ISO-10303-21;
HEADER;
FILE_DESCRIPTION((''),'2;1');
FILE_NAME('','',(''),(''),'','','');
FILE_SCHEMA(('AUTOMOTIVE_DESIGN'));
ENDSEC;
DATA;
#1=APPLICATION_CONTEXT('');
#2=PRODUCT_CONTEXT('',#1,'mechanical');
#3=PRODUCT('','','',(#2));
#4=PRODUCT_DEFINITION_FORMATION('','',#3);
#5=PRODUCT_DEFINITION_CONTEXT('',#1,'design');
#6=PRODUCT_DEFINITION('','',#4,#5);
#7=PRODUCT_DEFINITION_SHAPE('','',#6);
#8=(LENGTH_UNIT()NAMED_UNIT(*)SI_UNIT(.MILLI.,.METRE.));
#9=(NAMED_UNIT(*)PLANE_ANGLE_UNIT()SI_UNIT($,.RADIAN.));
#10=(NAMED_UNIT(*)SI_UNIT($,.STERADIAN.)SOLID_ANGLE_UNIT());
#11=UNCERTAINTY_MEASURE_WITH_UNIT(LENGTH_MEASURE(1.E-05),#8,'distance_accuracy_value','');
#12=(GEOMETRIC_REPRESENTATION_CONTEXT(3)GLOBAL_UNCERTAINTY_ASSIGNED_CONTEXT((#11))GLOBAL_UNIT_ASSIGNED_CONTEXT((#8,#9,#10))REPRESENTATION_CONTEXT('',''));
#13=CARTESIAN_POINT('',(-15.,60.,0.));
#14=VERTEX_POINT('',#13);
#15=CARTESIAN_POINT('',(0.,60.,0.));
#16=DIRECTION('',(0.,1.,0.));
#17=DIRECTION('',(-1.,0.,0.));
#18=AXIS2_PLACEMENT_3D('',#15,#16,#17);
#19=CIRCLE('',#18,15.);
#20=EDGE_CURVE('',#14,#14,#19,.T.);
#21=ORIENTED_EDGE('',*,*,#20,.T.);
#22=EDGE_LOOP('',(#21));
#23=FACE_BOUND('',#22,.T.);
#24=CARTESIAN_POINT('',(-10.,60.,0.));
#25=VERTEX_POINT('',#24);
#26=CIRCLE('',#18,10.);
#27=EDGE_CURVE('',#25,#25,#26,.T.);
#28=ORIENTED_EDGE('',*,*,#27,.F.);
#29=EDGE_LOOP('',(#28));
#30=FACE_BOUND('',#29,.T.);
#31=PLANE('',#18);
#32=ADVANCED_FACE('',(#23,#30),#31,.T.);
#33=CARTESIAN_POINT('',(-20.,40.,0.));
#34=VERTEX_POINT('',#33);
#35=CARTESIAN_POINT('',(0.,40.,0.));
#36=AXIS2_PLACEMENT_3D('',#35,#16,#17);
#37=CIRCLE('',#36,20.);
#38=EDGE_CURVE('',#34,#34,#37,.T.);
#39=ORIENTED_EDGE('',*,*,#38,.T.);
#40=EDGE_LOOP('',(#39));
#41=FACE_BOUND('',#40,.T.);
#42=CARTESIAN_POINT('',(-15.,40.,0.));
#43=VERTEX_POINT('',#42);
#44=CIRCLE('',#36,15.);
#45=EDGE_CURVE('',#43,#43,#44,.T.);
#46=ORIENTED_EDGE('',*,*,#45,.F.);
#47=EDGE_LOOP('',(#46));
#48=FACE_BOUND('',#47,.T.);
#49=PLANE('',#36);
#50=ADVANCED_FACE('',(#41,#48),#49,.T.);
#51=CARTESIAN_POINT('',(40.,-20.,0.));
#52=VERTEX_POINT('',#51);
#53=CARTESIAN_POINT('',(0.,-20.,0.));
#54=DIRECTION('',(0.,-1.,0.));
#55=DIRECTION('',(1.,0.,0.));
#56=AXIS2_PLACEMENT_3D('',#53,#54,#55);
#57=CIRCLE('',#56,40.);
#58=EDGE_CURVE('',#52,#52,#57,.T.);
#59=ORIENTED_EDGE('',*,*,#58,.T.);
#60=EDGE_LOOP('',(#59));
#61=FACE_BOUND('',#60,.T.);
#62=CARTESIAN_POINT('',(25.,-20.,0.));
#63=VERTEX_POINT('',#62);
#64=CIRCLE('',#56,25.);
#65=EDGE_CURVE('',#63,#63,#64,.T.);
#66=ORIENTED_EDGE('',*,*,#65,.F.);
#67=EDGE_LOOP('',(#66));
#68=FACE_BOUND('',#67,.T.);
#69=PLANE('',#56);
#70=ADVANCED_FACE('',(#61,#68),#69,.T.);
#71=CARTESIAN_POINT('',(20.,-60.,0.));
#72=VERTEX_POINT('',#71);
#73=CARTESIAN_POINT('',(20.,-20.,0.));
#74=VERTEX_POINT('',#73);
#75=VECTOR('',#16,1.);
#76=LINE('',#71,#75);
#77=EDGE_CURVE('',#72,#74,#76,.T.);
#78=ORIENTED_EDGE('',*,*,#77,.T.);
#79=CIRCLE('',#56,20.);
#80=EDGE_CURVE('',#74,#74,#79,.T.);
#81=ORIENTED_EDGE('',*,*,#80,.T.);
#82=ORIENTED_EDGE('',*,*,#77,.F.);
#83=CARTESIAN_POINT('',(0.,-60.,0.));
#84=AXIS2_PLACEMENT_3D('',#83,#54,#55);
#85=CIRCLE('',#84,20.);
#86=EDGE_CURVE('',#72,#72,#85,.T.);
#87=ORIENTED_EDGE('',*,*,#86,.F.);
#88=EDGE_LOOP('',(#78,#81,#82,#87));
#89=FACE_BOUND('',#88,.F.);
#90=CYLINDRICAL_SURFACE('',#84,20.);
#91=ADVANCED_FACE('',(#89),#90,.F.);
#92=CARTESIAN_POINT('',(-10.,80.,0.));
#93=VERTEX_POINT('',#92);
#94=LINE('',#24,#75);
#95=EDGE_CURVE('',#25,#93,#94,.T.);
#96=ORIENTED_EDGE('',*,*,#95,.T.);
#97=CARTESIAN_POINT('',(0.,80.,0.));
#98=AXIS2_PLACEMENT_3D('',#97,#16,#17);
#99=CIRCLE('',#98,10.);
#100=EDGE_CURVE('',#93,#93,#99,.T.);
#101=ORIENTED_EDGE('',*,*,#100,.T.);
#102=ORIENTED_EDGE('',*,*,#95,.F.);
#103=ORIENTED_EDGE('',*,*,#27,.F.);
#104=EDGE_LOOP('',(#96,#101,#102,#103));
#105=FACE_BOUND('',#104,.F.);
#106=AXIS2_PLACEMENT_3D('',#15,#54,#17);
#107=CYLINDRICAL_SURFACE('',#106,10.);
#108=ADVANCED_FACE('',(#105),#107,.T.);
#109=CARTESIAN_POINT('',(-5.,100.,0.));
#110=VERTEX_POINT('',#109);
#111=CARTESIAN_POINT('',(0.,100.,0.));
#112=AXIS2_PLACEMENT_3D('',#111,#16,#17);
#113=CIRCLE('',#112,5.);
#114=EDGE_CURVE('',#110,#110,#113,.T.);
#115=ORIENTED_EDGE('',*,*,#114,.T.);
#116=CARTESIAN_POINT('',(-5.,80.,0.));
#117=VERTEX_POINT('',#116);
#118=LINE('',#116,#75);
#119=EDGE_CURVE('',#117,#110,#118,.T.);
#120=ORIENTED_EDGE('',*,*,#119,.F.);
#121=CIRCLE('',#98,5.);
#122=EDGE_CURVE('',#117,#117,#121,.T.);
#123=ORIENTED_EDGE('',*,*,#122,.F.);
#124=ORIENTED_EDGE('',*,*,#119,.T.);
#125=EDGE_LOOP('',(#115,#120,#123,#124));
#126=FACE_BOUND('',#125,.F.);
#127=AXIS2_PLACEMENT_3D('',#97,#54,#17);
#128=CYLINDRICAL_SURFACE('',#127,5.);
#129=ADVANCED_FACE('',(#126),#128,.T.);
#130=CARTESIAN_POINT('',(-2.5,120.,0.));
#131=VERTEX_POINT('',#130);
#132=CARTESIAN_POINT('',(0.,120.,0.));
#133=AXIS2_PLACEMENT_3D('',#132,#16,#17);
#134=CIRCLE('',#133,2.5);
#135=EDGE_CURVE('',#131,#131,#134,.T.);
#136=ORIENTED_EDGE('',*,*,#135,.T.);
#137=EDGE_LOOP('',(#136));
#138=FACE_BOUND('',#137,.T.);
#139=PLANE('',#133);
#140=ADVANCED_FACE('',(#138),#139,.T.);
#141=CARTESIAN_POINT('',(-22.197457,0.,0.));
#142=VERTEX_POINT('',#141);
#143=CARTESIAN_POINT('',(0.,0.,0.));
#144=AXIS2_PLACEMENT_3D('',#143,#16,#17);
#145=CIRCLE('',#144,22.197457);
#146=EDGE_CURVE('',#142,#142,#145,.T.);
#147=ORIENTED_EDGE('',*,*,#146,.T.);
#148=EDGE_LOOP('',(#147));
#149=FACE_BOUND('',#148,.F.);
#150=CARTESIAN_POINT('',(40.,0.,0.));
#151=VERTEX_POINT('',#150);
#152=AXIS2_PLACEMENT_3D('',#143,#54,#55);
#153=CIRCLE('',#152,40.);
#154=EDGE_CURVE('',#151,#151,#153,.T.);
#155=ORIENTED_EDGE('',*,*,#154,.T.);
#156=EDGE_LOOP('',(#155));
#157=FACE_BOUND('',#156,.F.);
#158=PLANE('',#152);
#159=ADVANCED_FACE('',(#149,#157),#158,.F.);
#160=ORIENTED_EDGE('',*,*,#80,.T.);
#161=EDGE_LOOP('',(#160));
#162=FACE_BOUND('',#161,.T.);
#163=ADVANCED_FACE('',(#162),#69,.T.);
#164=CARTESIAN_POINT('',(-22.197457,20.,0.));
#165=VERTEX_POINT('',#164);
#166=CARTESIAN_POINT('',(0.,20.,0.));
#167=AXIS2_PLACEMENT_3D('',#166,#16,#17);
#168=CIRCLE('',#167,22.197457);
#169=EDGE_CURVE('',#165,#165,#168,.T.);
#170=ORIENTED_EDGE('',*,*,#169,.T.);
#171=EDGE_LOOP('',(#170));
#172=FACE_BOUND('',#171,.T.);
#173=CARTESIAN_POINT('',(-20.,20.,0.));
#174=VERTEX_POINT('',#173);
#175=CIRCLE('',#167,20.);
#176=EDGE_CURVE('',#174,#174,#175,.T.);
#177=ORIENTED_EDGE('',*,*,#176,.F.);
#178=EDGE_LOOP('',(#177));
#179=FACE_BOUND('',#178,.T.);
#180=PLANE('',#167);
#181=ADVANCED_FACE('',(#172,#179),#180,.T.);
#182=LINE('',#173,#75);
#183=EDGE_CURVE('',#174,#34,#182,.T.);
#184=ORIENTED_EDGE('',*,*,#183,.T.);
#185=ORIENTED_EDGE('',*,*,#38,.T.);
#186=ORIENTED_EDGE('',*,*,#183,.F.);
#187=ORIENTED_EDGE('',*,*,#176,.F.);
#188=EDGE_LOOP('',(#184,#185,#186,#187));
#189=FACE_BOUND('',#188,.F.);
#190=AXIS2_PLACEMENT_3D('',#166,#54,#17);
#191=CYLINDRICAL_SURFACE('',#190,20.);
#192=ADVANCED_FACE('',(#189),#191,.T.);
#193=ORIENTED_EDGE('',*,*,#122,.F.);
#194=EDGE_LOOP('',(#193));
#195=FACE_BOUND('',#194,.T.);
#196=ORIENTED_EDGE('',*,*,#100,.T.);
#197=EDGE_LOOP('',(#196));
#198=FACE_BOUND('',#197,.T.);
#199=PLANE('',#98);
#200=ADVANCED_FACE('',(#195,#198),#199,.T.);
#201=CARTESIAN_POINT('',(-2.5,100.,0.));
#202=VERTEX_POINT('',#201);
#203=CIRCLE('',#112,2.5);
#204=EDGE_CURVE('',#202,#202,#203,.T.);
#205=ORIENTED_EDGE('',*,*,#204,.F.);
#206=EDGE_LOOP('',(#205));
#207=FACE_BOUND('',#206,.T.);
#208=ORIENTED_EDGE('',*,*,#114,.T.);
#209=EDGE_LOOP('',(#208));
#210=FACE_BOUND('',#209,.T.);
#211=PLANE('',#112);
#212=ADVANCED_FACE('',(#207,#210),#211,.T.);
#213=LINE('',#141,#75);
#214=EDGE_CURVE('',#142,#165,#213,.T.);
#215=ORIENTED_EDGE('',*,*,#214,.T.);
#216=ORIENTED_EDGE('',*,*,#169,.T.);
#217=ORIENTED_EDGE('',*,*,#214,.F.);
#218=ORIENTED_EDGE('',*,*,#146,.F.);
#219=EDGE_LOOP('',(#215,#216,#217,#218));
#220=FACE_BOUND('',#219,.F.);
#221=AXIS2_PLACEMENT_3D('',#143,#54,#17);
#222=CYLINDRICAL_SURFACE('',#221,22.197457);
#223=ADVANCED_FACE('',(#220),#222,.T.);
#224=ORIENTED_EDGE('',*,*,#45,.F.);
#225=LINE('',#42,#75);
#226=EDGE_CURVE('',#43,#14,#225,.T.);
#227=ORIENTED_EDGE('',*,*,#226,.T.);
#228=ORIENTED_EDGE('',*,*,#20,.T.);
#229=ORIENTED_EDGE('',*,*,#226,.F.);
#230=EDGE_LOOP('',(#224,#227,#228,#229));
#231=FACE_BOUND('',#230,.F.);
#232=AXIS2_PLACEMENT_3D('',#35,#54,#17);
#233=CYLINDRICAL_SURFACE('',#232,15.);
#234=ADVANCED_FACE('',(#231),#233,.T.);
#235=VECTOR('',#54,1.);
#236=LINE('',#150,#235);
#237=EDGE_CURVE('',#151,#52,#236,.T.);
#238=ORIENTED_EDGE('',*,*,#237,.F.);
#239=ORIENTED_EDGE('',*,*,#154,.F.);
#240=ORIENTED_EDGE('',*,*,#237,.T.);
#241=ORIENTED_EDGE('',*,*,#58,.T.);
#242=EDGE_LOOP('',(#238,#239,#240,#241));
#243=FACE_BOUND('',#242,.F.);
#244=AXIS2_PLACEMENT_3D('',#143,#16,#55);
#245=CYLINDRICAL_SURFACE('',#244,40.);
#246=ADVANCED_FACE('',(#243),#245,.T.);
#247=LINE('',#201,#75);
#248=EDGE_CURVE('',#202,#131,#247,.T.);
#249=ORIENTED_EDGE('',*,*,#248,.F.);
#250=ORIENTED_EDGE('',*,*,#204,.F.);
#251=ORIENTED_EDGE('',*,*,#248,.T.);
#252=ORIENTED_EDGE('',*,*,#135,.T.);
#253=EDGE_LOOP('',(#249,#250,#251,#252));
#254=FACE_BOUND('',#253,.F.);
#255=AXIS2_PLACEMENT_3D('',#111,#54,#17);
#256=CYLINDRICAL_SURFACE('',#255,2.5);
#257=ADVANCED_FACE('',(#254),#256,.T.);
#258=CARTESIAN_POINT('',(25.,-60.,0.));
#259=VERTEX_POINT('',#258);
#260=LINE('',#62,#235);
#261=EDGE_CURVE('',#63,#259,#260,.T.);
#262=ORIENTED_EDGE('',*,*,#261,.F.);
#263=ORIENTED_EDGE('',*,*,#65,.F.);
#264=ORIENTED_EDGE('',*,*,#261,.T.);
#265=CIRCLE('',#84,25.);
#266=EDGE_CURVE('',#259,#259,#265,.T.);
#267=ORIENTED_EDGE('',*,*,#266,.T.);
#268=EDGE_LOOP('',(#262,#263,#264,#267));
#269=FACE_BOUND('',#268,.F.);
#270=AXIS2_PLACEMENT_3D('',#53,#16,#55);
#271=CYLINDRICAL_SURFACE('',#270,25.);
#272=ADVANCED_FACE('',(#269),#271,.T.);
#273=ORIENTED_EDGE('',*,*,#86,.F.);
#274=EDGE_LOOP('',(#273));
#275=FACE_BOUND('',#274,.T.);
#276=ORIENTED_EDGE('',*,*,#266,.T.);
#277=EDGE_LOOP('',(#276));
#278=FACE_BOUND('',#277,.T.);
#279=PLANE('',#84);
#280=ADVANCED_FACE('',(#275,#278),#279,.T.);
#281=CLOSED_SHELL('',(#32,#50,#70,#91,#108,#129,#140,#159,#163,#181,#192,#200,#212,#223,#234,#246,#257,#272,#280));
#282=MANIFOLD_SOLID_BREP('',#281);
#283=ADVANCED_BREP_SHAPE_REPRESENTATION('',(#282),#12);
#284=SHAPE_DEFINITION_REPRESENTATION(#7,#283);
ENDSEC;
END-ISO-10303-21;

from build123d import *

# Parameters (mm, degrees)
F0_R      = 40
F1_DEPTH  = 20
F2_R      = 25
F3_DEPTH  = 40
F4_R      = 20
F5_DEPTH  = 40
F6_R      = 22.1974572785
F7_DEPTH  = 20
F8_R      = 20
F9_DEPTH  = 20
F10_R     = 15
F11_DEPTH = 20
F12_R     = 10
F13_DEPTH = 20
F14_R     = 5
F15_DEPTH = 20
F16_R     = 2.5
F17_DEPTH = 20


with BuildPart() as f1:
    # F0 (on Front) → F1 (new body)
    with BuildSketch(Plane.XZ):
        Circle(F0_R)
    extrude(amount=F1_DEPTH)

    # F2 (on face) → F3 (join)
    with BuildSketch(Plane.XZ.offset(20)):
        Circle(F2_R)
    extrude(amount=F3_DEPTH)

    # F4 (on face) → F5 (cut)
    with BuildSketch(Plane.XZ.offset(60)):
        Circle(F4_R)
    extrude(amount=-F5_DEPTH, mode=Mode.SUBTRACT)

    # F6 (on face) → F7 (join)
    with BuildSketch(Plane(origin=(0, 0, 0), x_dir=(-1, 0, 0), z_dir=(0, 1, 0))):
        Circle(F6_R)
    extrude(amount=F7_DEPTH)

    # F8 (on face) → F9 (join)
    with BuildSketch(Plane(origin=(0, 20, 0), x_dir=(-1, 0, 0), z_dir=(0, 1, 0))):
        Circle(F8_R)
    extrude(amount=F9_DEPTH)

    # F10 (on face) → F11 (join)
    with BuildSketch(Plane(origin=(0, 40, 0), x_dir=(-1, 0, 0), z_dir=(0, 1, 0))):
        Circle(F10_R)
    extrude(amount=F11_DEPTH)

    # F12 (on face) → F13 (join)
    with BuildSketch(Plane(origin=(0, 60, 0), x_dir=(-1, 0, 0), z_dir=(0, 1, 0))):
        Circle(F12_R)
    extrude(amount=F13_DEPTH)

    # F14 (on face) → F15 (join)
    with BuildSketch(Plane(origin=(0, 80, 0), x_dir=(-1, 0, 0), z_dir=(0, 1, 0))):
        Circle(F14_R)
    extrude(amount=F15_DEPTH)

    # F16 (on face) → F17 (join)
    with BuildSketch(Plane(origin=(0, 100, 0), x_dir=(-1, 0, 0), z_dir=(0, 1, 0))):
        Circle(F16_R)
    extrude(amount=F17_DEPTH)


solid = f1.part
